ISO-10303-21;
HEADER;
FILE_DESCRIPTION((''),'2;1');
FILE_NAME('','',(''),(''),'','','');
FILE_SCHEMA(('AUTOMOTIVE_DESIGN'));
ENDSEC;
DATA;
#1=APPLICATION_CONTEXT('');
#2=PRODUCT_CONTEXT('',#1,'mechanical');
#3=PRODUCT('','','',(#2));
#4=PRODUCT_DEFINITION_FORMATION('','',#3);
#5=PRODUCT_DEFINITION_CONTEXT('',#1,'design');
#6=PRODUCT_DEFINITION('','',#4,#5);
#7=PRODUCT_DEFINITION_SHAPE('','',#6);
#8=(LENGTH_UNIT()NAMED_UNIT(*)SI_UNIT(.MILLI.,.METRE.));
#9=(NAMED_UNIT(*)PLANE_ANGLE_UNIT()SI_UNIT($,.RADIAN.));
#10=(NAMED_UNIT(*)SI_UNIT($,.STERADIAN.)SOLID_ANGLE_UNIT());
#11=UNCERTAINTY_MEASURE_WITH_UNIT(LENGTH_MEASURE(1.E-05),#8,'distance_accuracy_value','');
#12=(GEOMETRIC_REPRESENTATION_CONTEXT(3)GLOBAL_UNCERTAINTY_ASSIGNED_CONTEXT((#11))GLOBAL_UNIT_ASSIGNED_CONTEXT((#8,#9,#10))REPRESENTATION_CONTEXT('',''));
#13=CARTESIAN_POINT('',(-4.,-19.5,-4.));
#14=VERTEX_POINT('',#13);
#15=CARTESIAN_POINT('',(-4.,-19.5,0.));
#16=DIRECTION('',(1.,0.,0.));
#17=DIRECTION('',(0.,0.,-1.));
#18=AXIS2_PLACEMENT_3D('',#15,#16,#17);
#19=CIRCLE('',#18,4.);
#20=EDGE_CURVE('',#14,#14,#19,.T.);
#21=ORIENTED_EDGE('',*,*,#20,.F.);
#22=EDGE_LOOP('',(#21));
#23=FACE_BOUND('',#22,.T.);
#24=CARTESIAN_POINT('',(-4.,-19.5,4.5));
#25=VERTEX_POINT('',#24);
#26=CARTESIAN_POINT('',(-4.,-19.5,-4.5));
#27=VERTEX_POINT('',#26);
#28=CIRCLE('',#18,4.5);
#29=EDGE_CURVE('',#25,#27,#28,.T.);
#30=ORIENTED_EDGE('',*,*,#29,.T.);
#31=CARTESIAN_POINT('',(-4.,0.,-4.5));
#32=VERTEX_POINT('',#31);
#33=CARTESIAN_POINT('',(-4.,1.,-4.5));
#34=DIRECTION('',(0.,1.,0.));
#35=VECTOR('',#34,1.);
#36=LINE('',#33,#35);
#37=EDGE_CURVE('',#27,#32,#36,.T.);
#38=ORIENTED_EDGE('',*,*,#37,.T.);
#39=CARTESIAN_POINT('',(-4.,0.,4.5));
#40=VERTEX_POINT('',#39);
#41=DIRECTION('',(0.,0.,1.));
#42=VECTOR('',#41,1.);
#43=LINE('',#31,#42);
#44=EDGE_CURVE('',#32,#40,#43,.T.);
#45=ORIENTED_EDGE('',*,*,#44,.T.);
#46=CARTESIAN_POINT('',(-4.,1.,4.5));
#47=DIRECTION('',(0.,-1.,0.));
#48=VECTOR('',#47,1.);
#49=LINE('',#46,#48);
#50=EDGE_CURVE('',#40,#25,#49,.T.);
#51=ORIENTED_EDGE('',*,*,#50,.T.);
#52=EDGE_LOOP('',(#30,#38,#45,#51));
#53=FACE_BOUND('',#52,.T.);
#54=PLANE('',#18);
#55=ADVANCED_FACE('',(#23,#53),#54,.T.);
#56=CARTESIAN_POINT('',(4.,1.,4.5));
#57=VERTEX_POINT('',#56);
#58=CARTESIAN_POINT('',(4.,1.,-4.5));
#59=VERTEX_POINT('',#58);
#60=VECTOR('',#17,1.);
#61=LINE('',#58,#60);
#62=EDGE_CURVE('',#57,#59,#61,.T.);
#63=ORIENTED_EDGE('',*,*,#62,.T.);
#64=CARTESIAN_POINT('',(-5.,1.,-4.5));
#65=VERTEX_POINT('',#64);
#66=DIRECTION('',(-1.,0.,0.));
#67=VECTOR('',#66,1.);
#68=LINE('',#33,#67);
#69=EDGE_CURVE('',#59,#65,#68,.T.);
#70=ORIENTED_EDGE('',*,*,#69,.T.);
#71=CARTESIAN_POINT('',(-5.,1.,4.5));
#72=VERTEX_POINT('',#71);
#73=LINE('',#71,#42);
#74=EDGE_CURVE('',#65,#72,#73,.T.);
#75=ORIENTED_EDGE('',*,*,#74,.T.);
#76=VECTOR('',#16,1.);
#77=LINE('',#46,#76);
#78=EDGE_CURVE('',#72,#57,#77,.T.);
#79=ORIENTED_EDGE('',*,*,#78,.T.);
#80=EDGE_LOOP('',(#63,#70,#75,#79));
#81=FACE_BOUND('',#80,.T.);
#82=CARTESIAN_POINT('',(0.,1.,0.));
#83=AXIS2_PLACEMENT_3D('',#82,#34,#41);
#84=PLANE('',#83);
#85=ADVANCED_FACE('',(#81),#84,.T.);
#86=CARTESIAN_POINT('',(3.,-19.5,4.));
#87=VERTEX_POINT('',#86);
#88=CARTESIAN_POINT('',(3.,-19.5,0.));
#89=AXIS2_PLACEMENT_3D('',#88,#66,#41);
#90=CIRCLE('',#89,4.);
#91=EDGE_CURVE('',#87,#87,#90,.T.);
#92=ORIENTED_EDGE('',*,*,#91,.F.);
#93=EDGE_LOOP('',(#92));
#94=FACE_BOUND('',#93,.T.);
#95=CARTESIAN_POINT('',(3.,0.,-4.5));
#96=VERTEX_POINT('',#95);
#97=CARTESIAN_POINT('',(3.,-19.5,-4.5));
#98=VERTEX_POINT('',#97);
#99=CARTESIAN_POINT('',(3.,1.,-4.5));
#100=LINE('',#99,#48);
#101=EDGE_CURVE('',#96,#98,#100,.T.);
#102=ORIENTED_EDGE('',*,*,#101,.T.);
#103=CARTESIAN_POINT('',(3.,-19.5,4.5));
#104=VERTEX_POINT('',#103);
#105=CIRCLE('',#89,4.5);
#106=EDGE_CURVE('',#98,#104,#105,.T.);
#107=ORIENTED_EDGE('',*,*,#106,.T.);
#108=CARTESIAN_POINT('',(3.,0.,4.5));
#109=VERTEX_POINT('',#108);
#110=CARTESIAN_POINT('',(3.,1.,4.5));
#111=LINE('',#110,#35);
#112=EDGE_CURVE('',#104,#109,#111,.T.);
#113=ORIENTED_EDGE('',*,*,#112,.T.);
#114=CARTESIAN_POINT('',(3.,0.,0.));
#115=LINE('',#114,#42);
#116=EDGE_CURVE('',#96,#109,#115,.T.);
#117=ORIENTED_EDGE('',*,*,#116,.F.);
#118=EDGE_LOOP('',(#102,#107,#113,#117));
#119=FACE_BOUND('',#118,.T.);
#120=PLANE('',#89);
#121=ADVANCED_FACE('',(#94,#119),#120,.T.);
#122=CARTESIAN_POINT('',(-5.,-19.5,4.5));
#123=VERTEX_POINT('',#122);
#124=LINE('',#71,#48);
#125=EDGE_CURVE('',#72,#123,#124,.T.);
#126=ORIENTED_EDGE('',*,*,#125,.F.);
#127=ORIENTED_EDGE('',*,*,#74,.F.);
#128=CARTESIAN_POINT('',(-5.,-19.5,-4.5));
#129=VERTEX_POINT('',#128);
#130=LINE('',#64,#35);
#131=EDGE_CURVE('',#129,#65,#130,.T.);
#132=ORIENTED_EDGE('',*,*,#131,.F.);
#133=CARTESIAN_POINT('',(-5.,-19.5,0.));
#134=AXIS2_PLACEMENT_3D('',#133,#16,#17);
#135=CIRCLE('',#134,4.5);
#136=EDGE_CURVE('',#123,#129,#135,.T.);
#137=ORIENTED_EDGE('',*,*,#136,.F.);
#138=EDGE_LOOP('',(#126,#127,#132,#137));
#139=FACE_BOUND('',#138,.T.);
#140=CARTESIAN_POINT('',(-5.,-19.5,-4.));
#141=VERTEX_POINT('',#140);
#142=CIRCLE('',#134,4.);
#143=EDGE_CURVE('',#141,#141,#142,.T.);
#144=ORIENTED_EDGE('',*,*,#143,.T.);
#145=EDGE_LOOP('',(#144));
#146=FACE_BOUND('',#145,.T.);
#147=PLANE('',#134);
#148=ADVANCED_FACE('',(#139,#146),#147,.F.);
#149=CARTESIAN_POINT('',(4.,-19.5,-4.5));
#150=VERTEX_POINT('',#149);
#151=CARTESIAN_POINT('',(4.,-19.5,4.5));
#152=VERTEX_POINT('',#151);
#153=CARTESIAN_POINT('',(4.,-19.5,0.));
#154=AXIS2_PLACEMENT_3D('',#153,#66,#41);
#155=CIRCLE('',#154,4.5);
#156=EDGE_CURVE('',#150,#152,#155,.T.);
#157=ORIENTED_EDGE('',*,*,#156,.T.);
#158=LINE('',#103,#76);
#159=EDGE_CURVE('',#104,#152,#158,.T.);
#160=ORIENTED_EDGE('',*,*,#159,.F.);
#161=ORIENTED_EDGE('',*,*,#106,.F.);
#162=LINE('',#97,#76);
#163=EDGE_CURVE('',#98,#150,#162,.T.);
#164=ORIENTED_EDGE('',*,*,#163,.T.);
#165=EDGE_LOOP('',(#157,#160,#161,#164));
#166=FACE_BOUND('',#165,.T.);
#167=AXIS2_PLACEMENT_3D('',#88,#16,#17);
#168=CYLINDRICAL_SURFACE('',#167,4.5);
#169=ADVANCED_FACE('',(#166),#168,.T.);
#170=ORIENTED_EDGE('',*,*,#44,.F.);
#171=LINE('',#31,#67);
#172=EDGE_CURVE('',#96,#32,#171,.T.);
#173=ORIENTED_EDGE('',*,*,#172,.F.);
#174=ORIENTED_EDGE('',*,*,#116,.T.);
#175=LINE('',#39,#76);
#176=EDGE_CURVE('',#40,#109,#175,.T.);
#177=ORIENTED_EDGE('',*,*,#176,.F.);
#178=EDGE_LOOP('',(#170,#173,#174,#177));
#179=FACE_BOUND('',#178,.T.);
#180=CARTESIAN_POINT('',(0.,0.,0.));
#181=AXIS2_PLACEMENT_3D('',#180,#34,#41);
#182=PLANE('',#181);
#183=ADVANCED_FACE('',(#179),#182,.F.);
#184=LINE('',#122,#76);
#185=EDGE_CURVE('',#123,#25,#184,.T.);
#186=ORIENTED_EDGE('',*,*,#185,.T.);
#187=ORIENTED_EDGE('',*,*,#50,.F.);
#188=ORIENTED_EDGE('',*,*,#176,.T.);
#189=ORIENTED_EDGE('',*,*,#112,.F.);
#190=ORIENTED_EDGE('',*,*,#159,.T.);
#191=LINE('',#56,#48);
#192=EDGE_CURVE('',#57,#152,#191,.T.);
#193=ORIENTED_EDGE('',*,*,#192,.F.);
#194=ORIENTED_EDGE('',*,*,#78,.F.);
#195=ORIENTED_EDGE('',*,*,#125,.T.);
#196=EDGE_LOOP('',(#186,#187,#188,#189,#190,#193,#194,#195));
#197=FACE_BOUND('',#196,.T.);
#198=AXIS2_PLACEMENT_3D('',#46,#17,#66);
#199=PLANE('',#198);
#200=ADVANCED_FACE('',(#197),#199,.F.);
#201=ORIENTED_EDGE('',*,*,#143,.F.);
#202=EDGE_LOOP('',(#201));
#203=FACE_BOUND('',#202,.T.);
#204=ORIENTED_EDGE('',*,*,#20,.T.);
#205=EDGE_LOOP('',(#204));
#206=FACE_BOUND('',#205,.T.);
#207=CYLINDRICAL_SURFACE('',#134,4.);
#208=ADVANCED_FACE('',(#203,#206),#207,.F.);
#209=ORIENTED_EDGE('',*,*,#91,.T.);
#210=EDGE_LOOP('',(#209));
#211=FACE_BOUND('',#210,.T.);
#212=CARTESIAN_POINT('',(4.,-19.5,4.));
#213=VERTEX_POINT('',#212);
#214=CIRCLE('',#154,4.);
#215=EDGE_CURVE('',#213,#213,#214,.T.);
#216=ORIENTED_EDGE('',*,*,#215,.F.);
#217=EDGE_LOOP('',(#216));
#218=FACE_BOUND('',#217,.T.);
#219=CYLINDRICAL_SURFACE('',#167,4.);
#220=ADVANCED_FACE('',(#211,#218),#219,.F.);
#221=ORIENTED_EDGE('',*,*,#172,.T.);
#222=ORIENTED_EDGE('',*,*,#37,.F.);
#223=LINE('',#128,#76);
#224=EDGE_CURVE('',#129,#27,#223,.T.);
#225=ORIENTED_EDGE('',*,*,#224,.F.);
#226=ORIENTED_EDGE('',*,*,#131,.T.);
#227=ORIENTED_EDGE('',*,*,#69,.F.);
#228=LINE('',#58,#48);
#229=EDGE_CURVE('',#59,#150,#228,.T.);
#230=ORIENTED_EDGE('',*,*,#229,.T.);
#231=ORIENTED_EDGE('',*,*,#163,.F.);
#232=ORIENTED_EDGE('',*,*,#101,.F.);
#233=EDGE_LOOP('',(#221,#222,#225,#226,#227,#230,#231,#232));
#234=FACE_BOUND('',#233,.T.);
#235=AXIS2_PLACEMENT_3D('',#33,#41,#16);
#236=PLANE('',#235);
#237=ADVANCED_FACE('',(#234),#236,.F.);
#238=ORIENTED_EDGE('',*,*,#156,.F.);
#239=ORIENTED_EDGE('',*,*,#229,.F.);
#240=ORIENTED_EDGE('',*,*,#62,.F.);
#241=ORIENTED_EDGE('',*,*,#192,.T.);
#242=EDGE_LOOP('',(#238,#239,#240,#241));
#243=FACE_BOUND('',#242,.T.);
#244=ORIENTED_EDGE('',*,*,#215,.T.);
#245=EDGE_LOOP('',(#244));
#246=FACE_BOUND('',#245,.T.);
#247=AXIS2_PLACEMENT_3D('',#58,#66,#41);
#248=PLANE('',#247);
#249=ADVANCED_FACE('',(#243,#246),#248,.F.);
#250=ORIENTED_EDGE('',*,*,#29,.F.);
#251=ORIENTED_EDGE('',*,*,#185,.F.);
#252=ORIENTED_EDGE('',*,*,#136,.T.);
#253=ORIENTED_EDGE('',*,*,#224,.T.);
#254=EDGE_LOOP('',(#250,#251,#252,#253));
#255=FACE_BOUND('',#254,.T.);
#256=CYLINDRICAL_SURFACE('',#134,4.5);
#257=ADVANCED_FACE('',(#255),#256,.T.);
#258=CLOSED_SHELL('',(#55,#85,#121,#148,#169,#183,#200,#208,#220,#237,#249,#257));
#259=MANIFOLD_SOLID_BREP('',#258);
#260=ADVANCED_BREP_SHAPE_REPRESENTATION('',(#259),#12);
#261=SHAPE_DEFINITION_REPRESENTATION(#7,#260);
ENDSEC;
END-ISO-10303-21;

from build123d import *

# Parameters (mm, degrees)
SKETCH1_W           = 8
SKETCH1_H           = 9
BOSS_EXTRUDE1_DEPTH = 1
SKETCH6_R           = 4
BOSS_EXTRUDE2_DEPTH = 1
SKETCH9_R           = 4
BOSS_EXTRUDE3_DEPTH = 1


with BuildPart() as part:
    # Sketch1 → Boss-Extrude1 (new body)
    with BuildSketch(Plane(origin=(0, 0, 0), x_dir=(1, 0, 0), z_dir=(0, 1, 0))):
        Rectangle(SKETCH1_W, SKETCH1_H)
    extrude(amount=BOSS_EXTRUDE1_DEPTH)

    # Sketch6 → Boss-Extrude2 (add)
    with BuildSketch(Plane.ZY.offset(-4)):
        with BuildLine():
            Line((4.5, 1), (4.5, -19.5))
            ThreePointArc((4.5, -19.5), (0, -24), (-4.5, -19.5))
            Line((-4.5, -19.5), (-4.5, 1))
            Line((-4.5, 1), (4.5, 1))
        make_face()
        with Locations((0, -19.5)):
            Circle(SKETCH6_R, mode=Mode.SUBTRACT)
    extrude(amount=BOSS_EXTRUDE2_DEPTH)

    # Sketch9 → Boss-Extrude3 (add)
    with BuildSketch(Plane(origin=(-4, 0, 0), x_dir=(0, 0, -1), z_dir=(1, 0, 0))):
        with BuildLine():
            Line((-4.5, 1), (-4.5, -19.5))
            ThreePointArc((-4.5, -19.5), (0, -24), (4.5, -19.5))
            Line((4.5, -19.5), (4.5, 1))
            Line((4.5, 1), (-4.5, 1))
        make_face()
        with Locations(Location((0, -19.5, 0), (0, 0, 180))):
            Circle(SKETCH9_R, mode=Mode.SUBTRACT)
    extrude(amount=-BOSS_EXTRUDE3_DEPTH)


solid = part.part
